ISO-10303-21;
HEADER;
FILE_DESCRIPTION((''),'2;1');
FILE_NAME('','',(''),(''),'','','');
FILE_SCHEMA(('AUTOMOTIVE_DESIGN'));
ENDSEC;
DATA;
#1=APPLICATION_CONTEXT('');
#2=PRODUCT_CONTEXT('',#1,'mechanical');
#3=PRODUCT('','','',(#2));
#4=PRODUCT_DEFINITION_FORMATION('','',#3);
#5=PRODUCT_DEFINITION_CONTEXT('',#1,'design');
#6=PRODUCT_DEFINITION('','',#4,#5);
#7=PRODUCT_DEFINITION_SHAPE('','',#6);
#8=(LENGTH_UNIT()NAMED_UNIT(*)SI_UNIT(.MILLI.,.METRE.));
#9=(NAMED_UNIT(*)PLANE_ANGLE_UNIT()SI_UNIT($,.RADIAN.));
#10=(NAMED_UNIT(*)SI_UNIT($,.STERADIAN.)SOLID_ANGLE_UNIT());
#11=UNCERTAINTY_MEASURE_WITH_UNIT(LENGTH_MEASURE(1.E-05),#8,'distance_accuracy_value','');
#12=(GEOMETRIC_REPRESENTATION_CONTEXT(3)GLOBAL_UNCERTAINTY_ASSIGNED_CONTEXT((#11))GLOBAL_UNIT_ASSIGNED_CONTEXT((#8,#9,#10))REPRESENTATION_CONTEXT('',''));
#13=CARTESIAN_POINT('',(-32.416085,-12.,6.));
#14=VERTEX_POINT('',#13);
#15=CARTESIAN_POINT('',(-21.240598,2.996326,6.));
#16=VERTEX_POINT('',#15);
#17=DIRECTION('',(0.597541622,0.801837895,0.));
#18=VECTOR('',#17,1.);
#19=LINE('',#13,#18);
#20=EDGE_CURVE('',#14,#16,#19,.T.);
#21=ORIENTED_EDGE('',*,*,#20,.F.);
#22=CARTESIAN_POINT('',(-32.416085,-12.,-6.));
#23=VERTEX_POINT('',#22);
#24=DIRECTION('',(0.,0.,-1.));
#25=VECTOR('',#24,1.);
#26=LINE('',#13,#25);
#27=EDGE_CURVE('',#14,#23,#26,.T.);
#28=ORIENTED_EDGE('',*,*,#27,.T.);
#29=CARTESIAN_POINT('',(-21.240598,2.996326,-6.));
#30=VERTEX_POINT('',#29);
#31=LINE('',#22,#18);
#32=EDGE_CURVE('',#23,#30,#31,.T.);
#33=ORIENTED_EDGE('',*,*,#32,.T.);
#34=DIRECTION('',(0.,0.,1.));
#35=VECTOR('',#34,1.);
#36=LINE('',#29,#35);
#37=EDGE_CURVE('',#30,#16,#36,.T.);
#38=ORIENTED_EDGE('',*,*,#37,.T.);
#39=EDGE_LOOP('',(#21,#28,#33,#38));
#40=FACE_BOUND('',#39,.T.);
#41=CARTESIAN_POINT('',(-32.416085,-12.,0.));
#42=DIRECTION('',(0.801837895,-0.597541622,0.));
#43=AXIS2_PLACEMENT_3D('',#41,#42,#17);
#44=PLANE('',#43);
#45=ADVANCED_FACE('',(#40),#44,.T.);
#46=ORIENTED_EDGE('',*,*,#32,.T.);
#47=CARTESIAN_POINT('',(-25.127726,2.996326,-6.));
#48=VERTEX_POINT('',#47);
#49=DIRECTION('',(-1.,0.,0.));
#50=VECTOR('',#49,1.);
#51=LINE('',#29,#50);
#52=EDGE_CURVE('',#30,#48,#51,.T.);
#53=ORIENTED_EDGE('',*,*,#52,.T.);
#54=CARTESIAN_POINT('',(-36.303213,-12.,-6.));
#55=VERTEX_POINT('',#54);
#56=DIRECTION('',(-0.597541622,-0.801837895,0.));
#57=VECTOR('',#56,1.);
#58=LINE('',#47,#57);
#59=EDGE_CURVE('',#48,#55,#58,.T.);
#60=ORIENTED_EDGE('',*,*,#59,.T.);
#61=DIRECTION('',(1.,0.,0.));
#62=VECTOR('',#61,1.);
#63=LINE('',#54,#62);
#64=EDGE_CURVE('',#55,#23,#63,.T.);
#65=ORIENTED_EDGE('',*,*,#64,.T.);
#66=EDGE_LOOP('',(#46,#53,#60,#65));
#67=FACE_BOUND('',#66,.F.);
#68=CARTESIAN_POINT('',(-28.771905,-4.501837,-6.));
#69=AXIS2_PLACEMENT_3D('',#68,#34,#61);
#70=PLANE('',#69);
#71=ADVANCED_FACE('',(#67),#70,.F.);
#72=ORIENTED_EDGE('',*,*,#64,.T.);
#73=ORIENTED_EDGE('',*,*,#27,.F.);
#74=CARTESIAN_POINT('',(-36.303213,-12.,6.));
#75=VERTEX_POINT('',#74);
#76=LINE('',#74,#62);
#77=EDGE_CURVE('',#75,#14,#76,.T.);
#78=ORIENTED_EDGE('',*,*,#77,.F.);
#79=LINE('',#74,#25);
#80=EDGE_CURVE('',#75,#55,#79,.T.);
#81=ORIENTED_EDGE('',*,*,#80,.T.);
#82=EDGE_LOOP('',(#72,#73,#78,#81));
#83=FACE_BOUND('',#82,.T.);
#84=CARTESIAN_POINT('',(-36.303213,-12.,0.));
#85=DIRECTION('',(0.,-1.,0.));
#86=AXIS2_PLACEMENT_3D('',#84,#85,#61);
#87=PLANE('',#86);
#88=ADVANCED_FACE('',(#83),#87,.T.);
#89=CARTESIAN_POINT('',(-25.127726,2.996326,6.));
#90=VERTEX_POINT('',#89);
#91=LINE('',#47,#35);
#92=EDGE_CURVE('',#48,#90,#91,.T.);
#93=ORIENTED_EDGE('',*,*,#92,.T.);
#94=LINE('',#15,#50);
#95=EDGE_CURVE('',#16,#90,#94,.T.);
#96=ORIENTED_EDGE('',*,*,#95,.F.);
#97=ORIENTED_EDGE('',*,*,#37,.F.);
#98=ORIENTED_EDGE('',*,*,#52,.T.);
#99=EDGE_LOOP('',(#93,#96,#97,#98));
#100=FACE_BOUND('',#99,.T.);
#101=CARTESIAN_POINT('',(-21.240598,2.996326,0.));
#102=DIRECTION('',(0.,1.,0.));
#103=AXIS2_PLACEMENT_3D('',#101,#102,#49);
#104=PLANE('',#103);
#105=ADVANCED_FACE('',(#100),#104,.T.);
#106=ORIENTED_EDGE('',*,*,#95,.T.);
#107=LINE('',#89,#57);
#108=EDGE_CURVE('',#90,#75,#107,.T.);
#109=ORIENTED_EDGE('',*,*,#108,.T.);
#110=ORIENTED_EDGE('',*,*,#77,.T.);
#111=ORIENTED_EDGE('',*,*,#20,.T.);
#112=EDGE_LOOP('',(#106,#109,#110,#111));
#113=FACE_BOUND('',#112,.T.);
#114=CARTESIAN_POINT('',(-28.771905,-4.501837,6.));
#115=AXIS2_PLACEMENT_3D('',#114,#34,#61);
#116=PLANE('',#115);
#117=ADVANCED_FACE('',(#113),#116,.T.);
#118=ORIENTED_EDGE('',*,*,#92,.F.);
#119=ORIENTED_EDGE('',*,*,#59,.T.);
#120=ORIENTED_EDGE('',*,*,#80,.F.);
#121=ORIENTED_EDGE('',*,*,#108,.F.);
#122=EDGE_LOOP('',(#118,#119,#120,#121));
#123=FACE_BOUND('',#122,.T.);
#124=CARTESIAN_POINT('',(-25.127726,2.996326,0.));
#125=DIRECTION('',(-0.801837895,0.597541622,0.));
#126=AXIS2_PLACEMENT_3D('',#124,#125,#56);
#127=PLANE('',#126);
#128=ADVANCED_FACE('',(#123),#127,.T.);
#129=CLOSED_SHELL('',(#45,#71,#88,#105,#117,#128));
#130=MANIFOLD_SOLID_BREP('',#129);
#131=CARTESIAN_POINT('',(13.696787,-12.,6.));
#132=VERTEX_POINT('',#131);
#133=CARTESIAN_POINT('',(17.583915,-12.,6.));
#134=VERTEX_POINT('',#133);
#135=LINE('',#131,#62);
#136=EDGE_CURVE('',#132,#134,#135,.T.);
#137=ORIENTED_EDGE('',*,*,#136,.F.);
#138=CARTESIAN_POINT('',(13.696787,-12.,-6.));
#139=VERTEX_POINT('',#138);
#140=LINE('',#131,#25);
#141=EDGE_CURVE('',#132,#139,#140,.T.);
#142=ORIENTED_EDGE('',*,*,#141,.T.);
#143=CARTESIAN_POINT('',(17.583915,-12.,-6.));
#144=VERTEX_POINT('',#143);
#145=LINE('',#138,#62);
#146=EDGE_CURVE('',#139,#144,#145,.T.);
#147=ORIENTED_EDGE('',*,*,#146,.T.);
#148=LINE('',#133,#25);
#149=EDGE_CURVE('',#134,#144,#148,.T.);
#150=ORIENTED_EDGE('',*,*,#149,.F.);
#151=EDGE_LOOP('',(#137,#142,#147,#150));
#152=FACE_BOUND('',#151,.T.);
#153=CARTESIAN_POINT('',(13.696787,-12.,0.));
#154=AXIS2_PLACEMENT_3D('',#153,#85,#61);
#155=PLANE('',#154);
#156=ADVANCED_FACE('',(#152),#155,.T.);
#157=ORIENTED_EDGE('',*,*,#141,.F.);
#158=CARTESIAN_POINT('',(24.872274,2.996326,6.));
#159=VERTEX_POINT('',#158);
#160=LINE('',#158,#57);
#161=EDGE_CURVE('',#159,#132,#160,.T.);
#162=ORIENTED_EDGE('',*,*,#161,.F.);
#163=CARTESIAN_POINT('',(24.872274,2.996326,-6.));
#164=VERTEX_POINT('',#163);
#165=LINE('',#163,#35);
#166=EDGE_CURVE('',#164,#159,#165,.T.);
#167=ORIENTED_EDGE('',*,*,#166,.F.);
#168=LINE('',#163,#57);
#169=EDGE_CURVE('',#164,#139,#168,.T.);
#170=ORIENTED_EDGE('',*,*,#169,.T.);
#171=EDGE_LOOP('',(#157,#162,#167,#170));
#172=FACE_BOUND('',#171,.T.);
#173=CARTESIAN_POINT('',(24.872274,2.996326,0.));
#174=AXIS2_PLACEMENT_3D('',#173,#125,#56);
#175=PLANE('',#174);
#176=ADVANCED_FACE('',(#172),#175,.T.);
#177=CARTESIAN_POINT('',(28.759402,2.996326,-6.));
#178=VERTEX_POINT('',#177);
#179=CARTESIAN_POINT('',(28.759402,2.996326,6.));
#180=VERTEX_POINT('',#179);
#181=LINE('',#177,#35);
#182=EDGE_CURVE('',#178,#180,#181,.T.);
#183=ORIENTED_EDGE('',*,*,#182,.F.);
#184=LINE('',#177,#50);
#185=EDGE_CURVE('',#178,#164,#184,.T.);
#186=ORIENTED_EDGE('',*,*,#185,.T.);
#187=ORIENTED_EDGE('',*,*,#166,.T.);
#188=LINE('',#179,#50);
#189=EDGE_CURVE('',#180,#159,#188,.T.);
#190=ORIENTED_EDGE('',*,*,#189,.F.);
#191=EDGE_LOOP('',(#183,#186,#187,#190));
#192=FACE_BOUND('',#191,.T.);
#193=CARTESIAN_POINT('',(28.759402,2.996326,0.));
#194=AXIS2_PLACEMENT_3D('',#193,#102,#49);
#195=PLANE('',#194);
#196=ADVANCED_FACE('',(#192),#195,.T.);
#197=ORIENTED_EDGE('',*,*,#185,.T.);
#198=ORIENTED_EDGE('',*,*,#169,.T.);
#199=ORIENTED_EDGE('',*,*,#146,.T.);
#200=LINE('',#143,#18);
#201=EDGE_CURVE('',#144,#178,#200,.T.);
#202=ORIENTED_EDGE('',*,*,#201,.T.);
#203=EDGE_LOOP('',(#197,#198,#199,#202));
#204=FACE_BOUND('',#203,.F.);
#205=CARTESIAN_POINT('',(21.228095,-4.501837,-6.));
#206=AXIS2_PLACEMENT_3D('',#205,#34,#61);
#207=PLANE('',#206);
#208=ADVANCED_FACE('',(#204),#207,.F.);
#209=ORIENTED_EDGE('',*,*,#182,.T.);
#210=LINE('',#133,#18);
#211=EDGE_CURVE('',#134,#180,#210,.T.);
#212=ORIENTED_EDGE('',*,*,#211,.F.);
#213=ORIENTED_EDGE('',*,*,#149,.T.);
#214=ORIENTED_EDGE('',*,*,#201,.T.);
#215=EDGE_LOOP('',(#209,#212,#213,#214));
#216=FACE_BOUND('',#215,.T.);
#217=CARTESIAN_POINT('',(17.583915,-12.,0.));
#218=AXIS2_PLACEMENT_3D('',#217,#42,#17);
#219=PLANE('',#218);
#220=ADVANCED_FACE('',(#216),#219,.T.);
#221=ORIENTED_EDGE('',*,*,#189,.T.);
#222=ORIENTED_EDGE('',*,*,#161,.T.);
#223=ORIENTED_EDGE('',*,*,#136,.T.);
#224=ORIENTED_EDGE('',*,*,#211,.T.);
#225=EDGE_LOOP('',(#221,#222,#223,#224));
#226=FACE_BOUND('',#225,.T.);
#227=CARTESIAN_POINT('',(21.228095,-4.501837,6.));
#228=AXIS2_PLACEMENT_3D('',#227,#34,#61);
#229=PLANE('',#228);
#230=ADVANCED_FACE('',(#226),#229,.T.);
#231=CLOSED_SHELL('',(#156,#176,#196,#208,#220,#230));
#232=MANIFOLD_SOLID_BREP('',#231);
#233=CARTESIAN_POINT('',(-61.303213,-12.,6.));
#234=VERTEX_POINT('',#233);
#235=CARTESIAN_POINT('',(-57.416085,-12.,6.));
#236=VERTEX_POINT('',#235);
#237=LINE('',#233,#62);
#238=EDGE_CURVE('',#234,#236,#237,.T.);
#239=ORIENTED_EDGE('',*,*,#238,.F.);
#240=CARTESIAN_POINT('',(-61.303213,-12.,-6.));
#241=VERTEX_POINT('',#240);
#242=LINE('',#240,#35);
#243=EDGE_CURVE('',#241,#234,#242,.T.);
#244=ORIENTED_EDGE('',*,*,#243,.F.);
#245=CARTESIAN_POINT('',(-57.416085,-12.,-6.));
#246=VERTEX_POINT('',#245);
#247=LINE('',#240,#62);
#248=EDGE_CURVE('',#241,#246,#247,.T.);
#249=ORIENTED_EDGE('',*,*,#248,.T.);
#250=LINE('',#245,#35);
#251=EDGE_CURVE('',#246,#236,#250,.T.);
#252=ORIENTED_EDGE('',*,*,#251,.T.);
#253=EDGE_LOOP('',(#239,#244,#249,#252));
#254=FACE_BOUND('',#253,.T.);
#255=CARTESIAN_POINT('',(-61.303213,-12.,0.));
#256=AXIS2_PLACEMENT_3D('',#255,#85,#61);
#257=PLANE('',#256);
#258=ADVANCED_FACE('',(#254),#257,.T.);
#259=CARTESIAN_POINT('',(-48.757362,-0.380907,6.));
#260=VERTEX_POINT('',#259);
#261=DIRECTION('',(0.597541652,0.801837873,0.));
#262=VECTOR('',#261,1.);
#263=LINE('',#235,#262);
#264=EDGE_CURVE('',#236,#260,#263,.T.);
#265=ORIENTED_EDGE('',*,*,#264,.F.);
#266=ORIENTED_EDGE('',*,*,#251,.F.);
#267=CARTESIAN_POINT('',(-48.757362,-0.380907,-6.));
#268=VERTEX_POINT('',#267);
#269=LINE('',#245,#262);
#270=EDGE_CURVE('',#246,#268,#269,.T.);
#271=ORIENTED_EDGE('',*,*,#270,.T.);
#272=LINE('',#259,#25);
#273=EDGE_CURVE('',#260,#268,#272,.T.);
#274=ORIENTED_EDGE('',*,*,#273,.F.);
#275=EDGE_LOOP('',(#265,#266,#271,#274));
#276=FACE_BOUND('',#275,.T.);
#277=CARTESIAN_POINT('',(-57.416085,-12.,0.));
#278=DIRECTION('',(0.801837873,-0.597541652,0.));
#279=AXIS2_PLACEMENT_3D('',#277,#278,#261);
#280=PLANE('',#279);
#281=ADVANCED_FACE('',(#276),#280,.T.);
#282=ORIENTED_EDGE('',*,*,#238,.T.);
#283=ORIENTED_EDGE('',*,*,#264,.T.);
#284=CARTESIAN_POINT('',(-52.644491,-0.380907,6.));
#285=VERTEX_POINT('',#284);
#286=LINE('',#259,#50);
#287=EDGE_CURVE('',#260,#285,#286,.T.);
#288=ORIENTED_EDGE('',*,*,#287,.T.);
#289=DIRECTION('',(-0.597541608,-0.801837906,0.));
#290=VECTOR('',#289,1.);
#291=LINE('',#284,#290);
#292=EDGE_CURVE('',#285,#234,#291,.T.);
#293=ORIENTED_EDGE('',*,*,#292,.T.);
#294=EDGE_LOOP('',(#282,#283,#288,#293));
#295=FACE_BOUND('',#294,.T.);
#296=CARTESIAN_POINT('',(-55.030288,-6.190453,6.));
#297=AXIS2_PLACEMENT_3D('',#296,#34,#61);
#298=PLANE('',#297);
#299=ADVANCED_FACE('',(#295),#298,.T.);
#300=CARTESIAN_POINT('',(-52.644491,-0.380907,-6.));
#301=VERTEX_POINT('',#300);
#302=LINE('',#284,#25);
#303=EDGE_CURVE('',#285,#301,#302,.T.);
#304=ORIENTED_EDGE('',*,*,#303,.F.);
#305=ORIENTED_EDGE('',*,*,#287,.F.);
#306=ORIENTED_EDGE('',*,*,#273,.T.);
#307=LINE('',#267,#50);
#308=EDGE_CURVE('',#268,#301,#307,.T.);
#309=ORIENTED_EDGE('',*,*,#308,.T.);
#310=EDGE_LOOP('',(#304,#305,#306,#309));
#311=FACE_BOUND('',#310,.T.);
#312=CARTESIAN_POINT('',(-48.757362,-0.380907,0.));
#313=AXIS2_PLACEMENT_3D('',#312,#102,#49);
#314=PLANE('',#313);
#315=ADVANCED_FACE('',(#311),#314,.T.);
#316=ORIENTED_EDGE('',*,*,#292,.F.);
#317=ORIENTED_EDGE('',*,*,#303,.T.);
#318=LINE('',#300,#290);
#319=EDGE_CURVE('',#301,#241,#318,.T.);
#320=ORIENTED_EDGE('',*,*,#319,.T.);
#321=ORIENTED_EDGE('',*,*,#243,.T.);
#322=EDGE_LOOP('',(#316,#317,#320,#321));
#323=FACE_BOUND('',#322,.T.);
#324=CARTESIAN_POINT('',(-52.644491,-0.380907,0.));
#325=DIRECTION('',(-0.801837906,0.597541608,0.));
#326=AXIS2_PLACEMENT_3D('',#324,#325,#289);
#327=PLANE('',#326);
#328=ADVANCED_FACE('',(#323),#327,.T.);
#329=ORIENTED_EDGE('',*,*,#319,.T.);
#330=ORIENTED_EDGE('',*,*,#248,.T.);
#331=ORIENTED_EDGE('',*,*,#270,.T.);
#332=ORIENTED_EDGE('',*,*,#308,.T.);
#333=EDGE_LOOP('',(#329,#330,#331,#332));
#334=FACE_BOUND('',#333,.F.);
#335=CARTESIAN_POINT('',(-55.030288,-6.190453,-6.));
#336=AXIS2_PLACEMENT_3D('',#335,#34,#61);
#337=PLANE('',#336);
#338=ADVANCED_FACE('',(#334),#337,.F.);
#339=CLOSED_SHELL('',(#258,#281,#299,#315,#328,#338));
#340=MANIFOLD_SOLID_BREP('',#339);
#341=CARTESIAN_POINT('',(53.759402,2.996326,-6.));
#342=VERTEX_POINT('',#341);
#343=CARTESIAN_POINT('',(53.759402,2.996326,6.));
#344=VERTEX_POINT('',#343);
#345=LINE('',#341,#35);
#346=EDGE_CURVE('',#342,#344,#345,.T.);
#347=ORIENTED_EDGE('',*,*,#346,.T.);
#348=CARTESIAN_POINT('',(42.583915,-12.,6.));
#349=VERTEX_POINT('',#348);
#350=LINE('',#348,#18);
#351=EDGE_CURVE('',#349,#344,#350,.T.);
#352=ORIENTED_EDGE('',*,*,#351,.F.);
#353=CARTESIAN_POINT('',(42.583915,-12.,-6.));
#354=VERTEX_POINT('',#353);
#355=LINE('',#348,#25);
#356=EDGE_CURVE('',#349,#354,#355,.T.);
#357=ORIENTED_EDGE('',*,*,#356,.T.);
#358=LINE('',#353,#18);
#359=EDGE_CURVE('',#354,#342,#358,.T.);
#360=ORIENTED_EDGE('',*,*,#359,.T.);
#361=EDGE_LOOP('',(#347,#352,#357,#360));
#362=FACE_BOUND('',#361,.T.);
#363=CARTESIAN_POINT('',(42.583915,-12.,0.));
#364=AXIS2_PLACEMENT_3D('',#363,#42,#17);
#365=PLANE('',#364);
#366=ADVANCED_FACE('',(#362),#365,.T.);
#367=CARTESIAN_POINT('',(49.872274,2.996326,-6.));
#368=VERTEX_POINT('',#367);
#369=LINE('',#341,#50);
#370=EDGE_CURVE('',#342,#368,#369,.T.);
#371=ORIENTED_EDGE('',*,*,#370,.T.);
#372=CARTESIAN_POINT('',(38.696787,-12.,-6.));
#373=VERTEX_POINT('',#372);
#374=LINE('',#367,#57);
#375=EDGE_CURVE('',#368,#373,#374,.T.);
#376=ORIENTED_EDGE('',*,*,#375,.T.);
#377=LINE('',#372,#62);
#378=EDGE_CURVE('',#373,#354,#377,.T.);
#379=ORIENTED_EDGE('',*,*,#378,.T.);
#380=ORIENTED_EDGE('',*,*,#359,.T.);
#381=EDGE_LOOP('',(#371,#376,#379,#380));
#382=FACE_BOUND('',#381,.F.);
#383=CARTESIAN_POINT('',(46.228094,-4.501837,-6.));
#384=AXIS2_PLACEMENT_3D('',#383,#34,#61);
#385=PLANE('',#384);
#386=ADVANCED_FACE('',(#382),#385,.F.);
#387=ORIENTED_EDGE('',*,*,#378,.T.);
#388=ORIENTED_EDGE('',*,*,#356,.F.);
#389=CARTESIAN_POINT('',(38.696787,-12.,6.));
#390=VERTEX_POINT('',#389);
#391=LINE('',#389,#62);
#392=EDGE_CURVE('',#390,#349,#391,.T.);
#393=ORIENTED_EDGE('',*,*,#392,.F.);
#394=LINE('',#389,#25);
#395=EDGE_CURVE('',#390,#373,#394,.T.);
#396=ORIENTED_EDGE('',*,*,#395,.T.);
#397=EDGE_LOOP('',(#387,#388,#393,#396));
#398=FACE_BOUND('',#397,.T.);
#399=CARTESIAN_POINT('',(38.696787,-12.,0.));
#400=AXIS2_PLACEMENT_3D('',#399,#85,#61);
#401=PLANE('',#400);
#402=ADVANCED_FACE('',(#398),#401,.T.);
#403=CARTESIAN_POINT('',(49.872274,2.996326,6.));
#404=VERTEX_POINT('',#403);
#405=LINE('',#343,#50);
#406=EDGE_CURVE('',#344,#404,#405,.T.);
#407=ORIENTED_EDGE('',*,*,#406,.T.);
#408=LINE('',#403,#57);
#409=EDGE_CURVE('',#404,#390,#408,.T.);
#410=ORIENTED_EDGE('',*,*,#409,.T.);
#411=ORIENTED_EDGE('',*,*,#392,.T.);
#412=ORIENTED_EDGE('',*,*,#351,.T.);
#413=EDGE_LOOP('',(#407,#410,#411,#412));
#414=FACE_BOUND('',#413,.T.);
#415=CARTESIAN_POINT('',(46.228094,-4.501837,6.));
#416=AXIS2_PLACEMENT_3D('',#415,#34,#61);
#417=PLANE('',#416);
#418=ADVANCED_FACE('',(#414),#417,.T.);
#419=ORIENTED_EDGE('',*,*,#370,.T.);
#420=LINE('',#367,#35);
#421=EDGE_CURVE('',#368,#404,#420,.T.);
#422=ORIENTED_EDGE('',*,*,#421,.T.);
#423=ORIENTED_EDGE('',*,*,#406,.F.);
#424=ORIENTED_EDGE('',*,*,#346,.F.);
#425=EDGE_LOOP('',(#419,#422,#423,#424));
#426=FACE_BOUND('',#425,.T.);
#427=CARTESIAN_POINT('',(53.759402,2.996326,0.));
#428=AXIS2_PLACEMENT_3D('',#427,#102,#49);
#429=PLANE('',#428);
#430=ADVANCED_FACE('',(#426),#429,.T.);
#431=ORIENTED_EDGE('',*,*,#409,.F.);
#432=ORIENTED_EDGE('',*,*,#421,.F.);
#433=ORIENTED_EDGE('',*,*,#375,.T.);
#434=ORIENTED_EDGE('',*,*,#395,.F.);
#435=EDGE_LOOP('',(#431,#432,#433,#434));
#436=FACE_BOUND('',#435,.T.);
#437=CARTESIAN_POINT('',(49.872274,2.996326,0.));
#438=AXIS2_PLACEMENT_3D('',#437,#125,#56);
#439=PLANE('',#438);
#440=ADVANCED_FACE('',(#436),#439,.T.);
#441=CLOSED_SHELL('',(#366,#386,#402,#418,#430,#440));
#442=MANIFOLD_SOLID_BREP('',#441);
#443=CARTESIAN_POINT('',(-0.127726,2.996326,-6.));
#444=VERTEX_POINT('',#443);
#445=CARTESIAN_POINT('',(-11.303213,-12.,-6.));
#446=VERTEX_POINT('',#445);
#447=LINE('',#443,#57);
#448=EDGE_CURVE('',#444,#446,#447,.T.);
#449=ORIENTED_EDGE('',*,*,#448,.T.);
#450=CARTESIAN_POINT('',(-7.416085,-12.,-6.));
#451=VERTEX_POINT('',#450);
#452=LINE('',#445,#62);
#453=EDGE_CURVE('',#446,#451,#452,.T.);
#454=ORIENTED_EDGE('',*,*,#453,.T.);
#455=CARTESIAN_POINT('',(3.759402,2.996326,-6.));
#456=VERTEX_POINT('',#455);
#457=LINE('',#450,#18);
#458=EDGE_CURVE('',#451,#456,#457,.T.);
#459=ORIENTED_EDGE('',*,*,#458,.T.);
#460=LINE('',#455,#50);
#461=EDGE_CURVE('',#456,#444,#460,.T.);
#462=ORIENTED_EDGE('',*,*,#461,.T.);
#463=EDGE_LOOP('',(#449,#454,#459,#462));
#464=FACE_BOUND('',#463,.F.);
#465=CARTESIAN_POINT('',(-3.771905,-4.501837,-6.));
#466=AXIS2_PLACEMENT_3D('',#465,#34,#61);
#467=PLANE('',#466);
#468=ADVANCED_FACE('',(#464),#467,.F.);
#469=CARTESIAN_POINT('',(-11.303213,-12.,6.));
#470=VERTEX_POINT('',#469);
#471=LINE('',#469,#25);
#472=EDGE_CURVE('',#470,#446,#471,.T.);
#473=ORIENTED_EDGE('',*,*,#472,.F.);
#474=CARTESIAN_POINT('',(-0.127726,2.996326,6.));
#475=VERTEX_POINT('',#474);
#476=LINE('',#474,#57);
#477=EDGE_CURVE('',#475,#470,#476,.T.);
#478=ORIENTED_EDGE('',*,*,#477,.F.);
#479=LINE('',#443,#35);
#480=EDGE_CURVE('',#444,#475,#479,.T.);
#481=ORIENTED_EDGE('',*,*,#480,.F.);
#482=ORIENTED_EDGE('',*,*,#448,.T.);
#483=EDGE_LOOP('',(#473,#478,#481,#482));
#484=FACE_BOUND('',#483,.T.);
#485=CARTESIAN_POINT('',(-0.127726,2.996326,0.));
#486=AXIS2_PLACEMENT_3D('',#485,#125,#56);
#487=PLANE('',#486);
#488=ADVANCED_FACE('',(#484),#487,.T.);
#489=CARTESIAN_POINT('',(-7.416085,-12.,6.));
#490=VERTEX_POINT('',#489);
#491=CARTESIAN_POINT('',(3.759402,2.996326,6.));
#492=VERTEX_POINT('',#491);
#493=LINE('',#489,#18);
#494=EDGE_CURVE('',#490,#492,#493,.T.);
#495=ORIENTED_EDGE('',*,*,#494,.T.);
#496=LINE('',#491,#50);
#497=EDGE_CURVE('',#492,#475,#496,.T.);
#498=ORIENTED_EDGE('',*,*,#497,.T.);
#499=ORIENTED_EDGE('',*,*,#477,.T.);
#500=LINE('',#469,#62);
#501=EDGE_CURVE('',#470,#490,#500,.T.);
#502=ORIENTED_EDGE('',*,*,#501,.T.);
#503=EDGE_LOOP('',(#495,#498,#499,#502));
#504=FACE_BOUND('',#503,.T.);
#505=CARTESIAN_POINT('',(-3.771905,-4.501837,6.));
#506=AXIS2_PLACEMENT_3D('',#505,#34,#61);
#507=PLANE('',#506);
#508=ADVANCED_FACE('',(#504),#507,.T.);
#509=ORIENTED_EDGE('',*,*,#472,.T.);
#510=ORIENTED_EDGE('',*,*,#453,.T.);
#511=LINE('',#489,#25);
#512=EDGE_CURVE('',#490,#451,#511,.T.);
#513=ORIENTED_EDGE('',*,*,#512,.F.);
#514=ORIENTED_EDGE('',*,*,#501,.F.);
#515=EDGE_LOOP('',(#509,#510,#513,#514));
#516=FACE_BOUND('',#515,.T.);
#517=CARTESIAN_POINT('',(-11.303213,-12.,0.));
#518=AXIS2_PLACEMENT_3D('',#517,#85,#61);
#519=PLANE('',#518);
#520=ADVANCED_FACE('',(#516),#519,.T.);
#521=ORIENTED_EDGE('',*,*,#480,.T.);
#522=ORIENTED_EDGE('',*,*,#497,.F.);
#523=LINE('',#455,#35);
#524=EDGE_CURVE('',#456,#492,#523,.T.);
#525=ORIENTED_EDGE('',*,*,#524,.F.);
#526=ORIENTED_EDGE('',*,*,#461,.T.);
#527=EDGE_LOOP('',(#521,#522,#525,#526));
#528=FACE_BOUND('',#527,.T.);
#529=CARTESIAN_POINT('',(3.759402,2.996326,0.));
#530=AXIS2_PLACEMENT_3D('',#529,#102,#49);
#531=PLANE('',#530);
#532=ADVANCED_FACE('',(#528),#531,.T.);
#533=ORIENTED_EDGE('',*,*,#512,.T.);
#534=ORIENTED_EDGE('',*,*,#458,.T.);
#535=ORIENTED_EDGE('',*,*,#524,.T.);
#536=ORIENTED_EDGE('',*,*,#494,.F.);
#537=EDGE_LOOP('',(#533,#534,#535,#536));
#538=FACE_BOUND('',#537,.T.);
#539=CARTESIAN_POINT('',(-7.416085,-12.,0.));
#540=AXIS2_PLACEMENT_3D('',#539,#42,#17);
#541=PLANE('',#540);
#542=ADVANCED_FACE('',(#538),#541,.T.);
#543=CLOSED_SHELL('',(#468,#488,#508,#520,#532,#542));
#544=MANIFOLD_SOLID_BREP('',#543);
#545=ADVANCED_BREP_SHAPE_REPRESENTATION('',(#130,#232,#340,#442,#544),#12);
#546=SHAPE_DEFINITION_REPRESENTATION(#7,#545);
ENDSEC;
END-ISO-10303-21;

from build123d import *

# Parameters (mm, degrees)
F1_DEPTH      = 6
F1_DEPTH_BACK = 6


with BuildPart() as f1:
    # F0 (on Top) → F1 (new body, two sides)
    with BuildSketch(Plane.XY) as f1_sk:
        Polygon((-32.416085, -12), (-21.240598, 2.996326), (-25.127726, 2.996326), (-36.303213, -12), align=None)
        Polygon((17.583915, -12), (28.759402, 2.996326), (24.872274, 2.996326), (13.696787, -12), align=None)
        Polygon((42.583915, -12), (53.759402, 2.996326), (49.872274, 2.996326), (38.696787, -12), align=None)
        Polygon((-7.416085, -12), (3.759402, 2.996326), (-0.127726, 2.996326), (-11.303213, -12), align=None)
        Polygon((-52.644491, -0.380907), (-61.303213, -12), (-57.416085, -12), (-48.757362, -0.380907), align=None)
    extrude(amount=F1_DEPTH)
    extrude(f1_sk.sketch, amount=-F1_DEPTH_BACK)


solid = f1.part
